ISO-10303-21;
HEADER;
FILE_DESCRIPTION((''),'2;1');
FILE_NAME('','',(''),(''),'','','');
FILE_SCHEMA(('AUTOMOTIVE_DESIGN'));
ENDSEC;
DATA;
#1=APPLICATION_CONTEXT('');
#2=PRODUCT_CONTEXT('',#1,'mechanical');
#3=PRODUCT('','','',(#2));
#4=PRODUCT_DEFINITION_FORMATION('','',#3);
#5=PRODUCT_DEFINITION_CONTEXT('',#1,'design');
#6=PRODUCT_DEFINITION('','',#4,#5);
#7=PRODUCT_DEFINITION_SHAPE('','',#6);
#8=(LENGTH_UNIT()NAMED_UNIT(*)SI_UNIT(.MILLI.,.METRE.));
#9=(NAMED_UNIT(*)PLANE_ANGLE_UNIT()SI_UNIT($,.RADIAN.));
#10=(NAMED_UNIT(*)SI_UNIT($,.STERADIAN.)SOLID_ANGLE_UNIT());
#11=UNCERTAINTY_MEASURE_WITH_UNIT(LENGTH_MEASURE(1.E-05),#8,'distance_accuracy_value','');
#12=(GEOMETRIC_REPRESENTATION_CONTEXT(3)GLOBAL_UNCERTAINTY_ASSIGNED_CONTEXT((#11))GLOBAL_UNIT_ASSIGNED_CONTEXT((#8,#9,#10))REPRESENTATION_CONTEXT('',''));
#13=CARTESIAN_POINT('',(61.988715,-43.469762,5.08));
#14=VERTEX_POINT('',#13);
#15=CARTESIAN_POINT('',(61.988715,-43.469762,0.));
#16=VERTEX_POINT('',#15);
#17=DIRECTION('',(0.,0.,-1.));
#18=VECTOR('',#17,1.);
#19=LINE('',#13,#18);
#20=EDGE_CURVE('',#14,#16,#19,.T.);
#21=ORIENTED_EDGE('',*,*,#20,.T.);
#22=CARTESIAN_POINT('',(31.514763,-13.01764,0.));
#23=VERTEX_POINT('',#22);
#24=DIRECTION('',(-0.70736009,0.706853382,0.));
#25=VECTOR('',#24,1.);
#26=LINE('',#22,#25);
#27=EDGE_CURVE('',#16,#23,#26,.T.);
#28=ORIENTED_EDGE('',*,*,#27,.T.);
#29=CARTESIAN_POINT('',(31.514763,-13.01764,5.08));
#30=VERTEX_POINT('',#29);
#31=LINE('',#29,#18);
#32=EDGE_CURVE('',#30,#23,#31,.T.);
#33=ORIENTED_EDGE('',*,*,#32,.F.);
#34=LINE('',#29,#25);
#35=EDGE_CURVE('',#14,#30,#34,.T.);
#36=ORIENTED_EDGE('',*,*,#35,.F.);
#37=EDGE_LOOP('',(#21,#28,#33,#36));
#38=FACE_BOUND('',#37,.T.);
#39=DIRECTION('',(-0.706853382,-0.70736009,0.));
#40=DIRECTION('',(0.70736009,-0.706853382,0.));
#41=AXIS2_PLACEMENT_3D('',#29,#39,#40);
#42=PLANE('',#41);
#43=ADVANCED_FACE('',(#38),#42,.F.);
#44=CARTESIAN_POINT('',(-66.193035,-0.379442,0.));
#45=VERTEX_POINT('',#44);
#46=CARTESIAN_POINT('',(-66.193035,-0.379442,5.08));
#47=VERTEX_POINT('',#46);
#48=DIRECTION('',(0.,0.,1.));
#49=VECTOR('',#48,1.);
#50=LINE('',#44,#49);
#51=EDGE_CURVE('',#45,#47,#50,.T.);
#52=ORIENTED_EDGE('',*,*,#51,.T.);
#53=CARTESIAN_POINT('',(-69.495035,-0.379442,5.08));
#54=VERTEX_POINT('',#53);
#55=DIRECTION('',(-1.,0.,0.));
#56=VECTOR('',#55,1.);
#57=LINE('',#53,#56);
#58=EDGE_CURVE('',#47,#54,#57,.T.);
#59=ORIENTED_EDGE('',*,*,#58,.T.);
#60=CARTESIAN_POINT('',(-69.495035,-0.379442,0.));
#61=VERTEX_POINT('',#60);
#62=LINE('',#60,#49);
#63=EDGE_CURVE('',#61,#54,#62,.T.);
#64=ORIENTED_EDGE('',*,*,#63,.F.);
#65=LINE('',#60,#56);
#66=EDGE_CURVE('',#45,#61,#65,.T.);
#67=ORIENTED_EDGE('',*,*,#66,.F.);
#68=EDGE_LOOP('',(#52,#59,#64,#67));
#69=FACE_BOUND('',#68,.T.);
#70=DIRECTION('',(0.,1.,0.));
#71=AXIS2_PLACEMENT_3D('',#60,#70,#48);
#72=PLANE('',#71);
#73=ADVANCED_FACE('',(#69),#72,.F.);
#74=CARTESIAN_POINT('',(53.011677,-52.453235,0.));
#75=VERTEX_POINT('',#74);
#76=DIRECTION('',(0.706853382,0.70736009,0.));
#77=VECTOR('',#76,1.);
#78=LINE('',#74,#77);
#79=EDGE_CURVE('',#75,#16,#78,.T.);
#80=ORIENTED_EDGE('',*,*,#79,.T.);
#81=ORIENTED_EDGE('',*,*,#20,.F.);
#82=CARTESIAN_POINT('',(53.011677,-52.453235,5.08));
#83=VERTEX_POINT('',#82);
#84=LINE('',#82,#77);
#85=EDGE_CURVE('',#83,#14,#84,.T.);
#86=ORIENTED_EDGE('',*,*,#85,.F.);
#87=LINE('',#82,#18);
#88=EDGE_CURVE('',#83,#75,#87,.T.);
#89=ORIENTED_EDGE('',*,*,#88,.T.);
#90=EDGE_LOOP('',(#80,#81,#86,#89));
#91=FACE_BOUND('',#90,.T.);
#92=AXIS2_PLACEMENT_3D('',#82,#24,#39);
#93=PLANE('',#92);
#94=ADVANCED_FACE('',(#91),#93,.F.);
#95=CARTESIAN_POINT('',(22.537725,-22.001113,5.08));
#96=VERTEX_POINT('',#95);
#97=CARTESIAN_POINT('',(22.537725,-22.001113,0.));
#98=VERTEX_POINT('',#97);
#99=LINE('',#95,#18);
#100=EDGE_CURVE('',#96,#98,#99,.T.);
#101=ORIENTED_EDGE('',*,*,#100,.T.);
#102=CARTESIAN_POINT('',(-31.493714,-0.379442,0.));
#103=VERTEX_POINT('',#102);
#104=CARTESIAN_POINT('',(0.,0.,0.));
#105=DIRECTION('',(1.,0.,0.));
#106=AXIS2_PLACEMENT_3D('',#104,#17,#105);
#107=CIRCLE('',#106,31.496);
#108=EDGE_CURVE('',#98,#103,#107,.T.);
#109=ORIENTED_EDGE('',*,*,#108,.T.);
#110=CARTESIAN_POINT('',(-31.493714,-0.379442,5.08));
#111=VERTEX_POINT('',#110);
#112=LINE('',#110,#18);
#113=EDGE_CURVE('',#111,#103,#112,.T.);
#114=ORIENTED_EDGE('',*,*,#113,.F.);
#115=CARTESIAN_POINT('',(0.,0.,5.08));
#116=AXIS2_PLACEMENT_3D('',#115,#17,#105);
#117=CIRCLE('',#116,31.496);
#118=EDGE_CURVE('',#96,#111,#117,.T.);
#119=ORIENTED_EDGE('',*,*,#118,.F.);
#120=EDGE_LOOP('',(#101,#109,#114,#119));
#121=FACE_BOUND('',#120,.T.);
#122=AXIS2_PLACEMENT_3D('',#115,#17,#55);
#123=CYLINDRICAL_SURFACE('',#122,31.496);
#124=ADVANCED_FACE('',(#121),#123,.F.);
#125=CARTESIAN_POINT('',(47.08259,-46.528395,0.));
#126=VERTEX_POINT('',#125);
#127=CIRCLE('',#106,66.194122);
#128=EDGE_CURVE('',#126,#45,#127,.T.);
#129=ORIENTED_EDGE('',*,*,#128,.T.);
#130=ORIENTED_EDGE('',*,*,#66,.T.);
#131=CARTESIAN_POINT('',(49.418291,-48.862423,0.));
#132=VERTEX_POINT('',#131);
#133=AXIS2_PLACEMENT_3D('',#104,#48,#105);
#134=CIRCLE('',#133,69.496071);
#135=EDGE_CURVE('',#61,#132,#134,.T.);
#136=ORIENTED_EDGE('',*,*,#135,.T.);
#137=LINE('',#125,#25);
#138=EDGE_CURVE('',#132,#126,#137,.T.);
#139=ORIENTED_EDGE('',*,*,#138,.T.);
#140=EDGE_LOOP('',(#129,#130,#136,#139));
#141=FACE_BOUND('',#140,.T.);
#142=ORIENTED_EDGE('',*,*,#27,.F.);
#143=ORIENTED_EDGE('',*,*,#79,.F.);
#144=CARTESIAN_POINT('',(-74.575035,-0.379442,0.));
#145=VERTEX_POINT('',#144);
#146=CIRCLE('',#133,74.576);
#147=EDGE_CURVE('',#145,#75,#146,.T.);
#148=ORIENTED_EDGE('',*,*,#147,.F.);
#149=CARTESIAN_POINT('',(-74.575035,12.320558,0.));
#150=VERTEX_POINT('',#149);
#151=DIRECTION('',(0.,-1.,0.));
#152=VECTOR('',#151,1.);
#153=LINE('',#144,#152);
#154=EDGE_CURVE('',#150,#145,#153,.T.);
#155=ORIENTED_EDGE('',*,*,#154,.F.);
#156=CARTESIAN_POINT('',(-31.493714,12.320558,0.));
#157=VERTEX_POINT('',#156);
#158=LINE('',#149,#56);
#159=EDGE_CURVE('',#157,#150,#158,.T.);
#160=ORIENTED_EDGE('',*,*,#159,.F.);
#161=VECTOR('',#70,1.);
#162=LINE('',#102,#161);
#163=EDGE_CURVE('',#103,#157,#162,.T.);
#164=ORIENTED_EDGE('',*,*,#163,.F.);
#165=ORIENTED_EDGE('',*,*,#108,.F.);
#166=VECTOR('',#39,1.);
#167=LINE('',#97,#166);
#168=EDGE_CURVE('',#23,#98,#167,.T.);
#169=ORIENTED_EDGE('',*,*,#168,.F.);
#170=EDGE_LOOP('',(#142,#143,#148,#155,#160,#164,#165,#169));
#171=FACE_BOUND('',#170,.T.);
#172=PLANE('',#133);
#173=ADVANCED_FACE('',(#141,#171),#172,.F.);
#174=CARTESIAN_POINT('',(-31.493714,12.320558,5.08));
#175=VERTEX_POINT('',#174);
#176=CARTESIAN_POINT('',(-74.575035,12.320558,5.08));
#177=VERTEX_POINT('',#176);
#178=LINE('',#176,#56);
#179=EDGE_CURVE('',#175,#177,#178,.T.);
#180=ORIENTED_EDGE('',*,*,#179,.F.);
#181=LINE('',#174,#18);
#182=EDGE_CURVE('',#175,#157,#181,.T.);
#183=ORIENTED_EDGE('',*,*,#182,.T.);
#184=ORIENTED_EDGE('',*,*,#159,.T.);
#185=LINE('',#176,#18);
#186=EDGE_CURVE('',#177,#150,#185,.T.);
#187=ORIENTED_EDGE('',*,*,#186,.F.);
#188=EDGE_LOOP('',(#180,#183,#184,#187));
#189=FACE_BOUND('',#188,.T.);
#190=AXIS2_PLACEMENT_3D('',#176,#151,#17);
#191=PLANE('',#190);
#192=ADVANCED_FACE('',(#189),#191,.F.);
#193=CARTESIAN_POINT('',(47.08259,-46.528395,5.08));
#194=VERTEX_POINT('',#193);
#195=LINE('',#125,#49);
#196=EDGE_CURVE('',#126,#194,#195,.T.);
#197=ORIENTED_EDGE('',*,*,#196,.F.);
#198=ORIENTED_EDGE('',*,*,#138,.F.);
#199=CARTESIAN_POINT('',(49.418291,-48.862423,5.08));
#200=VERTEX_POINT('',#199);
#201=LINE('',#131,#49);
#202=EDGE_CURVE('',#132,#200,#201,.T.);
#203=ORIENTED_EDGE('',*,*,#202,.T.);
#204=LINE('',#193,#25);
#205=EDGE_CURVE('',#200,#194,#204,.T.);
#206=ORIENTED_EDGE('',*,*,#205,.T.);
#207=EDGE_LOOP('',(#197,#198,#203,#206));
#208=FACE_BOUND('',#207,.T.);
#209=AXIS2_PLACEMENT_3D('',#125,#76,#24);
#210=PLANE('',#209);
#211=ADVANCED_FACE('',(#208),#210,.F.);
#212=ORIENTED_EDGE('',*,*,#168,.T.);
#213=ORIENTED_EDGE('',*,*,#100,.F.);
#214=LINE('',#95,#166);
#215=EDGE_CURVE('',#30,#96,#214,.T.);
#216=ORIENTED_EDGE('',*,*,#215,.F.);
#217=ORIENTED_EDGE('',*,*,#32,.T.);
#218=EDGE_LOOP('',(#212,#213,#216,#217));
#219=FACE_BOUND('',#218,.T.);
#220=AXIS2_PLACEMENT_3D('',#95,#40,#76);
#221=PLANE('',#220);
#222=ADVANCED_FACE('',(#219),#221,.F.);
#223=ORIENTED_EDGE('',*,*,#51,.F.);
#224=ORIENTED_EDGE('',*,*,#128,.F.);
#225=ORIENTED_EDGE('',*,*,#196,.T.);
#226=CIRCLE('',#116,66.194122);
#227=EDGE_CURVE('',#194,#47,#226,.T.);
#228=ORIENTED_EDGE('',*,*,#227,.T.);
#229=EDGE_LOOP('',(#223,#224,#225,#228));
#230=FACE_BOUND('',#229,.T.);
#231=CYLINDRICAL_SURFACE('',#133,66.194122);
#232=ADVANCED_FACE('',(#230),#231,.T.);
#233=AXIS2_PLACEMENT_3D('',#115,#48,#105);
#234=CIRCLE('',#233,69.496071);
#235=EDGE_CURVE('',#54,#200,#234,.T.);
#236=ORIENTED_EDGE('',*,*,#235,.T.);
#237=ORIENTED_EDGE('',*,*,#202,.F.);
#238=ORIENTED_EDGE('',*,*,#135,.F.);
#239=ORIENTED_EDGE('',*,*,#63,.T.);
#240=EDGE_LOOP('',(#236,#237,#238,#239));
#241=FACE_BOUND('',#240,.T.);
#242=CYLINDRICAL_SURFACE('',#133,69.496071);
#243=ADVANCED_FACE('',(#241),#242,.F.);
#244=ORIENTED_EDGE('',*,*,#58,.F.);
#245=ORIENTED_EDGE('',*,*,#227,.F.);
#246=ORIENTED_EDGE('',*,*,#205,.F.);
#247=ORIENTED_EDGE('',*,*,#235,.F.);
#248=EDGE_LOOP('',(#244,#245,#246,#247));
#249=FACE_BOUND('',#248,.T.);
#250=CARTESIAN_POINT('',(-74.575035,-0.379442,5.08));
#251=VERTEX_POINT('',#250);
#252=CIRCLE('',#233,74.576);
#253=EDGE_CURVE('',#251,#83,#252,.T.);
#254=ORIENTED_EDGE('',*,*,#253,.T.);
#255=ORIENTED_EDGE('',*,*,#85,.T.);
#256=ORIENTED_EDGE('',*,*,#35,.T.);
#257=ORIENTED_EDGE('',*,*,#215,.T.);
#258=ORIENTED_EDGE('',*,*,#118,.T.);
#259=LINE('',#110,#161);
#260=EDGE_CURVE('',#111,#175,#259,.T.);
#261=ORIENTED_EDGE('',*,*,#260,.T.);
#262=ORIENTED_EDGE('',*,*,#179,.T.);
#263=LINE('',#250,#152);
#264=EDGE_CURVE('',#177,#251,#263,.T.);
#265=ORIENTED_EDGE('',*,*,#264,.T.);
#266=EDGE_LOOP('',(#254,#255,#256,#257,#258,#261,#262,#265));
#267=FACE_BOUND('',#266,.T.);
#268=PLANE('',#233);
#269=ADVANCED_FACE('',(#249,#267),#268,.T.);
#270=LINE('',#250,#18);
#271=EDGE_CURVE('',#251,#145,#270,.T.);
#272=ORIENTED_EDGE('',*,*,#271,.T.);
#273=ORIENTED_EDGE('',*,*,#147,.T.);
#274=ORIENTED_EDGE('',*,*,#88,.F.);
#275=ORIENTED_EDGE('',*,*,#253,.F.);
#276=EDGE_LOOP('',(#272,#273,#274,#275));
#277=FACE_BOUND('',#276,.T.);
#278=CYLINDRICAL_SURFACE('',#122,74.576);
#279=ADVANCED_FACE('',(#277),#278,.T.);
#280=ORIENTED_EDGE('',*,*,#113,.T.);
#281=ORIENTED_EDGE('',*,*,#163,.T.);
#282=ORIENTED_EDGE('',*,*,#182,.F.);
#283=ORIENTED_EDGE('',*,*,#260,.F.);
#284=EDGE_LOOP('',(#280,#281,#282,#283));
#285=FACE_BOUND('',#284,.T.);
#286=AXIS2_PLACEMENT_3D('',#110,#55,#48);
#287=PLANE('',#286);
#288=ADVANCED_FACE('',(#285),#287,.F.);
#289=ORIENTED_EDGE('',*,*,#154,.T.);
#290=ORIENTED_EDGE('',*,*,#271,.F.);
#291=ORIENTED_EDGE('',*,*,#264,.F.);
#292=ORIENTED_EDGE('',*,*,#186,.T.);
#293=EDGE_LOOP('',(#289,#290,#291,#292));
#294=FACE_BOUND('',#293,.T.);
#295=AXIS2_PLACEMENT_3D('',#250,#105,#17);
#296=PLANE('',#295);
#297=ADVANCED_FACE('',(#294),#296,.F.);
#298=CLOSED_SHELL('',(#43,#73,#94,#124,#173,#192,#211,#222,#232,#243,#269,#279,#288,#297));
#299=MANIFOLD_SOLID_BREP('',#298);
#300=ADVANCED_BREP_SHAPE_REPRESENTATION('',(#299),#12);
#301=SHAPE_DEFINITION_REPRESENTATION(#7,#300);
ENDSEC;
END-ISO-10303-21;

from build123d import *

# Parameters (mm, degrees)
BOSS_EXTRUDE3_DEPTH = 5.08
CUT_EXTRUDE1_DEPTH  = 106.587982078


with BuildPart() as part:
    # Sketch2 → Boss-Extrude3 (new body)
    with BuildSketch(Plane.XY):
        with BuildLine():
            Line((22.537725188, -22.001112684), (31.51476314, -13.017639546))
            Line((31.51476314, -13.017639546), (61.988715036, -43.46976185))
            Line((61.988715036, -43.46976185), (53.011677084, -52.453234987))
            ThreePointArc((53.011677084, -52.453234987), (-28.180925595, -69.046471311), (-74.575034639, -0.379442341))
            Line((-74.575034639, -0.379442341), (-74.575034639, 12.320557659))
            Line((-74.575034639, 12.320557659), (-31.493714286, 12.320557659))
            Line((-31.493714286, 12.320557659), (-31.493714286, -0.379442341))
            ThreePointArc((-31.493714286, -0.379442341), (-11.701563668, -29.241604329), (22.537725188, -22.001112684))
        make_face()
    extrude(amount=BOSS_EXTRUDE3_DEPTH)

    # Sketch5 → Cut-Extrude1 (cut, through all)
    with BuildSketch(Plane.XY.offset(5.08)):
        with BuildLine():
            Line((-69.495034639, -0.379442341), (-66.193034639, -0.379442341))
            ThreePointArc((-66.193034639, -0.379442341), (-24.974661813, -61.301941883), (47.08258988, -46.528395002))
            Line((47.08258988, -46.528395002), (49.418290754, -48.862422729))
            ThreePointArc((49.418290754, -48.862422729), (-26.237735384, -64.352817016), (-69.495034639, -0.379442341))
        make_face()
    extrude(amount=-CUT_EXTRUDE1_DEPTH, mode=Mode.SUBTRACT)


solid = part.part
